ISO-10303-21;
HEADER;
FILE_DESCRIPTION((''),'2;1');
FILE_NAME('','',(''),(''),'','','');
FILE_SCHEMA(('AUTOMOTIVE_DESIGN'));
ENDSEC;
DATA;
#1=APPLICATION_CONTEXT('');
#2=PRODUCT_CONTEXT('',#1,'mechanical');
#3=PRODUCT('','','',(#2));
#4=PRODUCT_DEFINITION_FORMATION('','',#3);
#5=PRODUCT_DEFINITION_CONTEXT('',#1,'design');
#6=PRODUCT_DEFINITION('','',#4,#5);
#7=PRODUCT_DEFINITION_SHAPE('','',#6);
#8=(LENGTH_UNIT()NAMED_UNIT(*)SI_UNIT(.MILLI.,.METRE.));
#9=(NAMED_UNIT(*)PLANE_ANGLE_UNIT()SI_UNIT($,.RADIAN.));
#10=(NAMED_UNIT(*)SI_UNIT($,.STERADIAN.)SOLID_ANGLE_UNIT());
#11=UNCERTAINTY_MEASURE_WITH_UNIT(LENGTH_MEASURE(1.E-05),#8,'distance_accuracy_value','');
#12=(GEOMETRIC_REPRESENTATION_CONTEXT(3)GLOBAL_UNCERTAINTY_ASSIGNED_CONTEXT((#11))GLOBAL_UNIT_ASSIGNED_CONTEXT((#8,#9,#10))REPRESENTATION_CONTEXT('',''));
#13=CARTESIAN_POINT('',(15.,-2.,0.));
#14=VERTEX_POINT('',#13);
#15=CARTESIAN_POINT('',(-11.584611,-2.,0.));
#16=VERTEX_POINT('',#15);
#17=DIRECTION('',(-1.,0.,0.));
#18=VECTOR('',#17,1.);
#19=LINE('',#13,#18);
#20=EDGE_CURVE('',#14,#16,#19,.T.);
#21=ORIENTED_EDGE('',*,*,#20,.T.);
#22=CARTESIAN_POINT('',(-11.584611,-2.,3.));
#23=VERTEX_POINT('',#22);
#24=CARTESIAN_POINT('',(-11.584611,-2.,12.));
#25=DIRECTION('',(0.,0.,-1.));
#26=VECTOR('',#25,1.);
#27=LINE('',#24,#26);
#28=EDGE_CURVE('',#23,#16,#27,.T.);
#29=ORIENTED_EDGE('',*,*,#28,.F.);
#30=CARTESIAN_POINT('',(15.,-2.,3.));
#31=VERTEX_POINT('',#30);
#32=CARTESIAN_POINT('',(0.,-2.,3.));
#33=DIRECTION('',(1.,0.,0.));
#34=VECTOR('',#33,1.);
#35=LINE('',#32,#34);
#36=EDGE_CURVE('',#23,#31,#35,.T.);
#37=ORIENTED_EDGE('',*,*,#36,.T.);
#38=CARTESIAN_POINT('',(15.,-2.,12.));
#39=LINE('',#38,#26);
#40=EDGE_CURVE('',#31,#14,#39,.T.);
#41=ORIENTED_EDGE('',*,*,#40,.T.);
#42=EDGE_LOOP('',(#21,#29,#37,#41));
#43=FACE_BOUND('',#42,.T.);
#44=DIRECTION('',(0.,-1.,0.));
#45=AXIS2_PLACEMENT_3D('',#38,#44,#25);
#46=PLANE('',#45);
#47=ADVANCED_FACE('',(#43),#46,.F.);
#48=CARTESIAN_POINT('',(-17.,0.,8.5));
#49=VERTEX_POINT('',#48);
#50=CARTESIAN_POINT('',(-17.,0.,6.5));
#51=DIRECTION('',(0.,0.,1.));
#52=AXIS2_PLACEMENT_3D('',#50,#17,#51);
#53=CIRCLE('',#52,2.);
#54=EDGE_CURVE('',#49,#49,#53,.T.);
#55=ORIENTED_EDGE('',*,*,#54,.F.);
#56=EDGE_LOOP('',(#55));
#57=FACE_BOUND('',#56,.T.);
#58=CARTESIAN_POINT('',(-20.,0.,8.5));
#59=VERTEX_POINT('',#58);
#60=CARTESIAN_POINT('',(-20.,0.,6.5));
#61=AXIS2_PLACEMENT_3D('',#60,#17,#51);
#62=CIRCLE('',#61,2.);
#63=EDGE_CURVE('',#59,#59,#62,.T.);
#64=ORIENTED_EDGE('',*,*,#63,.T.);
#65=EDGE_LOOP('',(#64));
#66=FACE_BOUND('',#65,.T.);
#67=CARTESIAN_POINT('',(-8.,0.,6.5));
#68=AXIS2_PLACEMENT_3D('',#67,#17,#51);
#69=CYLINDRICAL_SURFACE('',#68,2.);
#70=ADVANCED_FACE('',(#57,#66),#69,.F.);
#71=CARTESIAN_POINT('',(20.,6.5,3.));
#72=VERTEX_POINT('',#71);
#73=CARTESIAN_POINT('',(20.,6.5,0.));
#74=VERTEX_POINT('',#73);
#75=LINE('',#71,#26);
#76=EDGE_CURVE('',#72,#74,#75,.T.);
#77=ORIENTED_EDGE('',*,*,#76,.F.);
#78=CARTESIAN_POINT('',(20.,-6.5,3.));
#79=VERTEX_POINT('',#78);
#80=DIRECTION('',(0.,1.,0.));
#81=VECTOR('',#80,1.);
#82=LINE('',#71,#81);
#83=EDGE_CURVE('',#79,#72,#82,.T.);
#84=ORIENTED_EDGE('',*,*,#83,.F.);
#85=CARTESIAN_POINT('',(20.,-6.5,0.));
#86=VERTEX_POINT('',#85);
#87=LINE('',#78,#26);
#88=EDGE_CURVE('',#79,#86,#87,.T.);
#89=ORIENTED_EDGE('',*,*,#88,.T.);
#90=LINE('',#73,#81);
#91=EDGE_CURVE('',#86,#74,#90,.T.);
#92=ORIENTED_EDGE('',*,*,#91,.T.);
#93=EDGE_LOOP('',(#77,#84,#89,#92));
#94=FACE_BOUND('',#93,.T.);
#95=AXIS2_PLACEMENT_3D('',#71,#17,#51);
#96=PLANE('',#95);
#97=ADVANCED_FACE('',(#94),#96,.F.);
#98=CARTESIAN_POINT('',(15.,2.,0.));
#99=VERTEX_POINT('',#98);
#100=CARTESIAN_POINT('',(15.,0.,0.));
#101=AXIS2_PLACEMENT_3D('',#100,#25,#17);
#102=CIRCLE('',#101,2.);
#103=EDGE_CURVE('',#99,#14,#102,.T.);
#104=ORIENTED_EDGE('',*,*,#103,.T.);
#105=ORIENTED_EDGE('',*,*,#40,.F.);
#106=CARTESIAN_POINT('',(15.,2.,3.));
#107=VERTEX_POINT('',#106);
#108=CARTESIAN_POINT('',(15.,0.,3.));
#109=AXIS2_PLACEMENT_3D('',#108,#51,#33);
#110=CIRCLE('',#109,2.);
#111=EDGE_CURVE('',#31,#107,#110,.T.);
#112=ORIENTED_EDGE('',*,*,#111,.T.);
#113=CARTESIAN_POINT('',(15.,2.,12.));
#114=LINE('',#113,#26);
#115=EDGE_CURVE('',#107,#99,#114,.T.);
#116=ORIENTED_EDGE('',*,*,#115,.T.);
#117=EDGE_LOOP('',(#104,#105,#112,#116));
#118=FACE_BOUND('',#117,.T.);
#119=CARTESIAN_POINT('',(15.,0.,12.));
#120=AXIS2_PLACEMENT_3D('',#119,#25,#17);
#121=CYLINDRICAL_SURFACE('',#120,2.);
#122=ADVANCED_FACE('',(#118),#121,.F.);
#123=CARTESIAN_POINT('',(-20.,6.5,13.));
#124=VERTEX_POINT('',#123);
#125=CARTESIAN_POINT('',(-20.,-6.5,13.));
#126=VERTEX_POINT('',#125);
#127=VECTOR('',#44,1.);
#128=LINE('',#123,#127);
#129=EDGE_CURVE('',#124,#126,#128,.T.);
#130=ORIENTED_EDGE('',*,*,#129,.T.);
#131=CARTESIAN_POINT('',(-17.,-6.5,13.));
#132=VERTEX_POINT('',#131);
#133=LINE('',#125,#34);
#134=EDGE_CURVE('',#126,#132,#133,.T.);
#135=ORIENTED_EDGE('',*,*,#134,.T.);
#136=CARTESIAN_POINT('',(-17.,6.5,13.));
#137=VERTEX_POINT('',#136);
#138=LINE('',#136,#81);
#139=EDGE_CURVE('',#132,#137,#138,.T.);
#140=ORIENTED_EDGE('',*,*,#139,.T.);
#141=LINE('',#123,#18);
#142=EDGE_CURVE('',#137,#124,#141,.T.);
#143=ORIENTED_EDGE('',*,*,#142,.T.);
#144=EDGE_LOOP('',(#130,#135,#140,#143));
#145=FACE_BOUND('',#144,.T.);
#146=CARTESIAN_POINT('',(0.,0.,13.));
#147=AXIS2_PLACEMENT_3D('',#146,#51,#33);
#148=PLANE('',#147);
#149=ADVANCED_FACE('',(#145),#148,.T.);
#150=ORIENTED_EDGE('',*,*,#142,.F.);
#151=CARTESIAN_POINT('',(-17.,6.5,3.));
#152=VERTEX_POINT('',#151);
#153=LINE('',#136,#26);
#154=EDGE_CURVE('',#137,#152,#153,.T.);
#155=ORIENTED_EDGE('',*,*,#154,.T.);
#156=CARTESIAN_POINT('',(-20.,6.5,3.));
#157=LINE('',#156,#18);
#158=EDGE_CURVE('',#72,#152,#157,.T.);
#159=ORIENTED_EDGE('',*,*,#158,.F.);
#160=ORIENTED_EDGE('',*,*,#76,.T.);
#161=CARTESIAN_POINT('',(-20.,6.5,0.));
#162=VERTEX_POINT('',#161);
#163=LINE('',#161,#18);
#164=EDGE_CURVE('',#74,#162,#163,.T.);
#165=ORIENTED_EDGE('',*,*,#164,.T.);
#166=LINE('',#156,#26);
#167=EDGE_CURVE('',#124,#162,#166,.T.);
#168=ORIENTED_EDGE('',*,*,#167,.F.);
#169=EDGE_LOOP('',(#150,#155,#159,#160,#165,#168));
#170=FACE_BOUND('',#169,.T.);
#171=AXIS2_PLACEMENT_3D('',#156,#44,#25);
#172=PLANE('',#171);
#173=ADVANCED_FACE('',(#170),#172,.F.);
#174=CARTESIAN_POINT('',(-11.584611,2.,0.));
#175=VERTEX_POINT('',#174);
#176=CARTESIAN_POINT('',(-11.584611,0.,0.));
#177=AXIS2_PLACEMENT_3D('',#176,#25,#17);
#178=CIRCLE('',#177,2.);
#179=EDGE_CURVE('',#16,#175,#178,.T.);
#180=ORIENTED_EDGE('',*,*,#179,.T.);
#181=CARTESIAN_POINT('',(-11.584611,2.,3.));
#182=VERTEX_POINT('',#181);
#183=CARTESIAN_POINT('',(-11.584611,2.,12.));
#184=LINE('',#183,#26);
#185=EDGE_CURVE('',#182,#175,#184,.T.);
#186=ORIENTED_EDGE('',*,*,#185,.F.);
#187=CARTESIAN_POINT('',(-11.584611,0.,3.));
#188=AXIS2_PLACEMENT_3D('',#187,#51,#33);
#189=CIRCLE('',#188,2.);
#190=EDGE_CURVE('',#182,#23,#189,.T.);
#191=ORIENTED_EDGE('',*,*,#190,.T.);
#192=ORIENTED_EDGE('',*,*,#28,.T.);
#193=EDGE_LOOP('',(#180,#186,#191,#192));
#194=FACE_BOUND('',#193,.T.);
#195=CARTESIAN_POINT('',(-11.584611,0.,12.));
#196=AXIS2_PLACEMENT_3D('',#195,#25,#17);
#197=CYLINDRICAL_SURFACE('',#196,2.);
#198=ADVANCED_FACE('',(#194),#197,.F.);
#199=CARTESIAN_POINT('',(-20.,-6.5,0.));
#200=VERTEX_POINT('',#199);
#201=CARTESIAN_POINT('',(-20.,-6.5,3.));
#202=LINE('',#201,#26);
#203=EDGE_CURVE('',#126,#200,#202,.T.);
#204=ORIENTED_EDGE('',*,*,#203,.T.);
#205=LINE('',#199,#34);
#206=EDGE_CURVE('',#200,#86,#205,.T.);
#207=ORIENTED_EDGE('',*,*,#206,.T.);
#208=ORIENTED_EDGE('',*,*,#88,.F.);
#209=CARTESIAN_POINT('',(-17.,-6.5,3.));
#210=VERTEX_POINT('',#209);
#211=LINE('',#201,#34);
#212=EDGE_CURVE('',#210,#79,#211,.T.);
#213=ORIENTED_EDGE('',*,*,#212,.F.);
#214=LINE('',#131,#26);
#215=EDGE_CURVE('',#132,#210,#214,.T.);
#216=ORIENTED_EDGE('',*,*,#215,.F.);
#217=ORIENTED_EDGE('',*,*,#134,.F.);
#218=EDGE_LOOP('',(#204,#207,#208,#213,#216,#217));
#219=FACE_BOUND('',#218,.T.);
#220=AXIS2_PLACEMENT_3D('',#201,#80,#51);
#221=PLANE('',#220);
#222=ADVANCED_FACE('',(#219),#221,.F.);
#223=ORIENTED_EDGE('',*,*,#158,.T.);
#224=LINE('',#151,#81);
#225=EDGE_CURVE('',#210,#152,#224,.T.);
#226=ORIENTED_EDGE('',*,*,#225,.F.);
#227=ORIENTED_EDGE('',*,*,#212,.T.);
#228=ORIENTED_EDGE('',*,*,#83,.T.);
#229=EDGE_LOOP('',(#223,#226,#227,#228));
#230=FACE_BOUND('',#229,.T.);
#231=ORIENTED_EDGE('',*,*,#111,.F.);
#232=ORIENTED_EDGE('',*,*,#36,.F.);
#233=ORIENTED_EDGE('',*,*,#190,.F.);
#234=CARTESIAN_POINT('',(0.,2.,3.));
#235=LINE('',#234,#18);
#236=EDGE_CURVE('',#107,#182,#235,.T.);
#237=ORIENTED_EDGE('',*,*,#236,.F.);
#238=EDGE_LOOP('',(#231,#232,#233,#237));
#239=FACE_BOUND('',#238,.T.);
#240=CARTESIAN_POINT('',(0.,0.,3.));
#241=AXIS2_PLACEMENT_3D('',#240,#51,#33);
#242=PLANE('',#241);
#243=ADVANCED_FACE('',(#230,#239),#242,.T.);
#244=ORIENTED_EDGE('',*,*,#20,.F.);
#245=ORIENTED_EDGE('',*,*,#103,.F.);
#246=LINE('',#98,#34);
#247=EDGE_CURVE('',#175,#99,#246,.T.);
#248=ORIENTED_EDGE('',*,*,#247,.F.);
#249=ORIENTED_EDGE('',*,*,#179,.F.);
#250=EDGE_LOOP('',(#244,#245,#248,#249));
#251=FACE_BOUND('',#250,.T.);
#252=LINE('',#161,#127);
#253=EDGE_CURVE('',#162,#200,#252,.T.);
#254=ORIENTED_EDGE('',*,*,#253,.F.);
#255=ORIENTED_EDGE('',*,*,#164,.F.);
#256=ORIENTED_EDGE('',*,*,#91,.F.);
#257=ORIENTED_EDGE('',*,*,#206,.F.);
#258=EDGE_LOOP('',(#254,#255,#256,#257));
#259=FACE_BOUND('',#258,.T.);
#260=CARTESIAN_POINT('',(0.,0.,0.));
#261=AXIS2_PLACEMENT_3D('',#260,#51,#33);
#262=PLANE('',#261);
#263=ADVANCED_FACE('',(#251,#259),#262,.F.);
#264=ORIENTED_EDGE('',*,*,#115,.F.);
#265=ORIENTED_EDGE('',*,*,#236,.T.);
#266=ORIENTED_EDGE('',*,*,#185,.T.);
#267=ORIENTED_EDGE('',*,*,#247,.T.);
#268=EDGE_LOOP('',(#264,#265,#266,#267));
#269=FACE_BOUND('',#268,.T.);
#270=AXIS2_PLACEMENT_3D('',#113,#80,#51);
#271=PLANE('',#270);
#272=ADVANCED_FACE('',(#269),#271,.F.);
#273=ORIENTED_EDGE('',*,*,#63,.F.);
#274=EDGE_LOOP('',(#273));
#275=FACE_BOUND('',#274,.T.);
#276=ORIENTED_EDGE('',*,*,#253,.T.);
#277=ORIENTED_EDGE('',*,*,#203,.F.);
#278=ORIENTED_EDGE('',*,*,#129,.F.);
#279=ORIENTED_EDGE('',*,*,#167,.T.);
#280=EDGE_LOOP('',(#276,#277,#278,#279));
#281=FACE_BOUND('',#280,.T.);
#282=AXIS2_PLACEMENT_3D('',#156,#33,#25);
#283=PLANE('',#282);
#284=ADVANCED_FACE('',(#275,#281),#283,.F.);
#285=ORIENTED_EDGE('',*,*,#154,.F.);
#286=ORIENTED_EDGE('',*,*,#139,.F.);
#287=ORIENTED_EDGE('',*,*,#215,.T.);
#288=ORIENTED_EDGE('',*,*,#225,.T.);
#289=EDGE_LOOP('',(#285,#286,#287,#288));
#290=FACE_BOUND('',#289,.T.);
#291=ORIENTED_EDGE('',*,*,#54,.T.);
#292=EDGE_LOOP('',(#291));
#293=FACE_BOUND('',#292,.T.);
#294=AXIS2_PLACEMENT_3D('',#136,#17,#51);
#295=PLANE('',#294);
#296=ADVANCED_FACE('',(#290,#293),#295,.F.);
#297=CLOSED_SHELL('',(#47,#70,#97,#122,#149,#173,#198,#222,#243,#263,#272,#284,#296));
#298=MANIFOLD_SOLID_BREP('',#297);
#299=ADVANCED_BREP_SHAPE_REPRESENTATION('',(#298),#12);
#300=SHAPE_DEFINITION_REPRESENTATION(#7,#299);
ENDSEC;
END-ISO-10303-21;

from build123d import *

# Parameters (mm, degrees)
SKETCH2_W           = 40
SKETCH2_H           = 13
BOSS_EXTRUDE1_DEPTH = 3
SKETCH3_W           = 3
SKETCH3_H           = 13
BOSS_EXTRUDE2_DEPTH = 10
SKETCH4_R           = 2
CUT_EXTRUDE1_DEPTH  = 12
CUT_EXTRUDE2_DEPTH  = 12


with BuildPart() as part:
    # Sketch2 → Boss-Extrude1 (new body)
    with BuildSketch(Plane.XY):
        Rectangle(SKETCH2_W, SKETCH2_H)
    extrude(amount=BOSS_EXTRUDE1_DEPTH)

    # Sketch3 → Boss-Extrude2 (add)
    with BuildSketch(Plane.XY.offset(3)):
        with Locations((-18.5, 0)):
            Rectangle(SKETCH3_W, SKETCH3_H)
    extrude(amount=BOSS_EXTRUDE2_DEPTH)

    # Sketch4 → Cut-Extrude1 (cut)
    with BuildSketch(Plane.ZY.offset(20)):
        with Locations((6.5, 0)):
            Circle(SKETCH4_R)
    extrude(amount=-CUT_EXTRUDE1_DEPTH, mode=Mode.SUBTRACT)

    # Sketch5 → Cut-Extrude2 (cut)
    with BuildSketch(Plane(origin=(0, 0, 0), x_dir=(-1, 0, 0), z_dir=(0, 0, -1))):
        with BuildLine():
            Line((-15, 2), (11.584611172, 2))
            ThreePointArc((11.584611172, 2), (13.584611172, 0), (11.584611172, -2))
            Line((11.584611172, -2), (-15, -2))
            ThreePointArc((-15, -2), (-17, 0), (-15, 2))
        make_face()
    extrude(amount=-CUT_EXTRUDE2_DEPTH, mode=Mode.SUBTRACT)


solid = part.part
